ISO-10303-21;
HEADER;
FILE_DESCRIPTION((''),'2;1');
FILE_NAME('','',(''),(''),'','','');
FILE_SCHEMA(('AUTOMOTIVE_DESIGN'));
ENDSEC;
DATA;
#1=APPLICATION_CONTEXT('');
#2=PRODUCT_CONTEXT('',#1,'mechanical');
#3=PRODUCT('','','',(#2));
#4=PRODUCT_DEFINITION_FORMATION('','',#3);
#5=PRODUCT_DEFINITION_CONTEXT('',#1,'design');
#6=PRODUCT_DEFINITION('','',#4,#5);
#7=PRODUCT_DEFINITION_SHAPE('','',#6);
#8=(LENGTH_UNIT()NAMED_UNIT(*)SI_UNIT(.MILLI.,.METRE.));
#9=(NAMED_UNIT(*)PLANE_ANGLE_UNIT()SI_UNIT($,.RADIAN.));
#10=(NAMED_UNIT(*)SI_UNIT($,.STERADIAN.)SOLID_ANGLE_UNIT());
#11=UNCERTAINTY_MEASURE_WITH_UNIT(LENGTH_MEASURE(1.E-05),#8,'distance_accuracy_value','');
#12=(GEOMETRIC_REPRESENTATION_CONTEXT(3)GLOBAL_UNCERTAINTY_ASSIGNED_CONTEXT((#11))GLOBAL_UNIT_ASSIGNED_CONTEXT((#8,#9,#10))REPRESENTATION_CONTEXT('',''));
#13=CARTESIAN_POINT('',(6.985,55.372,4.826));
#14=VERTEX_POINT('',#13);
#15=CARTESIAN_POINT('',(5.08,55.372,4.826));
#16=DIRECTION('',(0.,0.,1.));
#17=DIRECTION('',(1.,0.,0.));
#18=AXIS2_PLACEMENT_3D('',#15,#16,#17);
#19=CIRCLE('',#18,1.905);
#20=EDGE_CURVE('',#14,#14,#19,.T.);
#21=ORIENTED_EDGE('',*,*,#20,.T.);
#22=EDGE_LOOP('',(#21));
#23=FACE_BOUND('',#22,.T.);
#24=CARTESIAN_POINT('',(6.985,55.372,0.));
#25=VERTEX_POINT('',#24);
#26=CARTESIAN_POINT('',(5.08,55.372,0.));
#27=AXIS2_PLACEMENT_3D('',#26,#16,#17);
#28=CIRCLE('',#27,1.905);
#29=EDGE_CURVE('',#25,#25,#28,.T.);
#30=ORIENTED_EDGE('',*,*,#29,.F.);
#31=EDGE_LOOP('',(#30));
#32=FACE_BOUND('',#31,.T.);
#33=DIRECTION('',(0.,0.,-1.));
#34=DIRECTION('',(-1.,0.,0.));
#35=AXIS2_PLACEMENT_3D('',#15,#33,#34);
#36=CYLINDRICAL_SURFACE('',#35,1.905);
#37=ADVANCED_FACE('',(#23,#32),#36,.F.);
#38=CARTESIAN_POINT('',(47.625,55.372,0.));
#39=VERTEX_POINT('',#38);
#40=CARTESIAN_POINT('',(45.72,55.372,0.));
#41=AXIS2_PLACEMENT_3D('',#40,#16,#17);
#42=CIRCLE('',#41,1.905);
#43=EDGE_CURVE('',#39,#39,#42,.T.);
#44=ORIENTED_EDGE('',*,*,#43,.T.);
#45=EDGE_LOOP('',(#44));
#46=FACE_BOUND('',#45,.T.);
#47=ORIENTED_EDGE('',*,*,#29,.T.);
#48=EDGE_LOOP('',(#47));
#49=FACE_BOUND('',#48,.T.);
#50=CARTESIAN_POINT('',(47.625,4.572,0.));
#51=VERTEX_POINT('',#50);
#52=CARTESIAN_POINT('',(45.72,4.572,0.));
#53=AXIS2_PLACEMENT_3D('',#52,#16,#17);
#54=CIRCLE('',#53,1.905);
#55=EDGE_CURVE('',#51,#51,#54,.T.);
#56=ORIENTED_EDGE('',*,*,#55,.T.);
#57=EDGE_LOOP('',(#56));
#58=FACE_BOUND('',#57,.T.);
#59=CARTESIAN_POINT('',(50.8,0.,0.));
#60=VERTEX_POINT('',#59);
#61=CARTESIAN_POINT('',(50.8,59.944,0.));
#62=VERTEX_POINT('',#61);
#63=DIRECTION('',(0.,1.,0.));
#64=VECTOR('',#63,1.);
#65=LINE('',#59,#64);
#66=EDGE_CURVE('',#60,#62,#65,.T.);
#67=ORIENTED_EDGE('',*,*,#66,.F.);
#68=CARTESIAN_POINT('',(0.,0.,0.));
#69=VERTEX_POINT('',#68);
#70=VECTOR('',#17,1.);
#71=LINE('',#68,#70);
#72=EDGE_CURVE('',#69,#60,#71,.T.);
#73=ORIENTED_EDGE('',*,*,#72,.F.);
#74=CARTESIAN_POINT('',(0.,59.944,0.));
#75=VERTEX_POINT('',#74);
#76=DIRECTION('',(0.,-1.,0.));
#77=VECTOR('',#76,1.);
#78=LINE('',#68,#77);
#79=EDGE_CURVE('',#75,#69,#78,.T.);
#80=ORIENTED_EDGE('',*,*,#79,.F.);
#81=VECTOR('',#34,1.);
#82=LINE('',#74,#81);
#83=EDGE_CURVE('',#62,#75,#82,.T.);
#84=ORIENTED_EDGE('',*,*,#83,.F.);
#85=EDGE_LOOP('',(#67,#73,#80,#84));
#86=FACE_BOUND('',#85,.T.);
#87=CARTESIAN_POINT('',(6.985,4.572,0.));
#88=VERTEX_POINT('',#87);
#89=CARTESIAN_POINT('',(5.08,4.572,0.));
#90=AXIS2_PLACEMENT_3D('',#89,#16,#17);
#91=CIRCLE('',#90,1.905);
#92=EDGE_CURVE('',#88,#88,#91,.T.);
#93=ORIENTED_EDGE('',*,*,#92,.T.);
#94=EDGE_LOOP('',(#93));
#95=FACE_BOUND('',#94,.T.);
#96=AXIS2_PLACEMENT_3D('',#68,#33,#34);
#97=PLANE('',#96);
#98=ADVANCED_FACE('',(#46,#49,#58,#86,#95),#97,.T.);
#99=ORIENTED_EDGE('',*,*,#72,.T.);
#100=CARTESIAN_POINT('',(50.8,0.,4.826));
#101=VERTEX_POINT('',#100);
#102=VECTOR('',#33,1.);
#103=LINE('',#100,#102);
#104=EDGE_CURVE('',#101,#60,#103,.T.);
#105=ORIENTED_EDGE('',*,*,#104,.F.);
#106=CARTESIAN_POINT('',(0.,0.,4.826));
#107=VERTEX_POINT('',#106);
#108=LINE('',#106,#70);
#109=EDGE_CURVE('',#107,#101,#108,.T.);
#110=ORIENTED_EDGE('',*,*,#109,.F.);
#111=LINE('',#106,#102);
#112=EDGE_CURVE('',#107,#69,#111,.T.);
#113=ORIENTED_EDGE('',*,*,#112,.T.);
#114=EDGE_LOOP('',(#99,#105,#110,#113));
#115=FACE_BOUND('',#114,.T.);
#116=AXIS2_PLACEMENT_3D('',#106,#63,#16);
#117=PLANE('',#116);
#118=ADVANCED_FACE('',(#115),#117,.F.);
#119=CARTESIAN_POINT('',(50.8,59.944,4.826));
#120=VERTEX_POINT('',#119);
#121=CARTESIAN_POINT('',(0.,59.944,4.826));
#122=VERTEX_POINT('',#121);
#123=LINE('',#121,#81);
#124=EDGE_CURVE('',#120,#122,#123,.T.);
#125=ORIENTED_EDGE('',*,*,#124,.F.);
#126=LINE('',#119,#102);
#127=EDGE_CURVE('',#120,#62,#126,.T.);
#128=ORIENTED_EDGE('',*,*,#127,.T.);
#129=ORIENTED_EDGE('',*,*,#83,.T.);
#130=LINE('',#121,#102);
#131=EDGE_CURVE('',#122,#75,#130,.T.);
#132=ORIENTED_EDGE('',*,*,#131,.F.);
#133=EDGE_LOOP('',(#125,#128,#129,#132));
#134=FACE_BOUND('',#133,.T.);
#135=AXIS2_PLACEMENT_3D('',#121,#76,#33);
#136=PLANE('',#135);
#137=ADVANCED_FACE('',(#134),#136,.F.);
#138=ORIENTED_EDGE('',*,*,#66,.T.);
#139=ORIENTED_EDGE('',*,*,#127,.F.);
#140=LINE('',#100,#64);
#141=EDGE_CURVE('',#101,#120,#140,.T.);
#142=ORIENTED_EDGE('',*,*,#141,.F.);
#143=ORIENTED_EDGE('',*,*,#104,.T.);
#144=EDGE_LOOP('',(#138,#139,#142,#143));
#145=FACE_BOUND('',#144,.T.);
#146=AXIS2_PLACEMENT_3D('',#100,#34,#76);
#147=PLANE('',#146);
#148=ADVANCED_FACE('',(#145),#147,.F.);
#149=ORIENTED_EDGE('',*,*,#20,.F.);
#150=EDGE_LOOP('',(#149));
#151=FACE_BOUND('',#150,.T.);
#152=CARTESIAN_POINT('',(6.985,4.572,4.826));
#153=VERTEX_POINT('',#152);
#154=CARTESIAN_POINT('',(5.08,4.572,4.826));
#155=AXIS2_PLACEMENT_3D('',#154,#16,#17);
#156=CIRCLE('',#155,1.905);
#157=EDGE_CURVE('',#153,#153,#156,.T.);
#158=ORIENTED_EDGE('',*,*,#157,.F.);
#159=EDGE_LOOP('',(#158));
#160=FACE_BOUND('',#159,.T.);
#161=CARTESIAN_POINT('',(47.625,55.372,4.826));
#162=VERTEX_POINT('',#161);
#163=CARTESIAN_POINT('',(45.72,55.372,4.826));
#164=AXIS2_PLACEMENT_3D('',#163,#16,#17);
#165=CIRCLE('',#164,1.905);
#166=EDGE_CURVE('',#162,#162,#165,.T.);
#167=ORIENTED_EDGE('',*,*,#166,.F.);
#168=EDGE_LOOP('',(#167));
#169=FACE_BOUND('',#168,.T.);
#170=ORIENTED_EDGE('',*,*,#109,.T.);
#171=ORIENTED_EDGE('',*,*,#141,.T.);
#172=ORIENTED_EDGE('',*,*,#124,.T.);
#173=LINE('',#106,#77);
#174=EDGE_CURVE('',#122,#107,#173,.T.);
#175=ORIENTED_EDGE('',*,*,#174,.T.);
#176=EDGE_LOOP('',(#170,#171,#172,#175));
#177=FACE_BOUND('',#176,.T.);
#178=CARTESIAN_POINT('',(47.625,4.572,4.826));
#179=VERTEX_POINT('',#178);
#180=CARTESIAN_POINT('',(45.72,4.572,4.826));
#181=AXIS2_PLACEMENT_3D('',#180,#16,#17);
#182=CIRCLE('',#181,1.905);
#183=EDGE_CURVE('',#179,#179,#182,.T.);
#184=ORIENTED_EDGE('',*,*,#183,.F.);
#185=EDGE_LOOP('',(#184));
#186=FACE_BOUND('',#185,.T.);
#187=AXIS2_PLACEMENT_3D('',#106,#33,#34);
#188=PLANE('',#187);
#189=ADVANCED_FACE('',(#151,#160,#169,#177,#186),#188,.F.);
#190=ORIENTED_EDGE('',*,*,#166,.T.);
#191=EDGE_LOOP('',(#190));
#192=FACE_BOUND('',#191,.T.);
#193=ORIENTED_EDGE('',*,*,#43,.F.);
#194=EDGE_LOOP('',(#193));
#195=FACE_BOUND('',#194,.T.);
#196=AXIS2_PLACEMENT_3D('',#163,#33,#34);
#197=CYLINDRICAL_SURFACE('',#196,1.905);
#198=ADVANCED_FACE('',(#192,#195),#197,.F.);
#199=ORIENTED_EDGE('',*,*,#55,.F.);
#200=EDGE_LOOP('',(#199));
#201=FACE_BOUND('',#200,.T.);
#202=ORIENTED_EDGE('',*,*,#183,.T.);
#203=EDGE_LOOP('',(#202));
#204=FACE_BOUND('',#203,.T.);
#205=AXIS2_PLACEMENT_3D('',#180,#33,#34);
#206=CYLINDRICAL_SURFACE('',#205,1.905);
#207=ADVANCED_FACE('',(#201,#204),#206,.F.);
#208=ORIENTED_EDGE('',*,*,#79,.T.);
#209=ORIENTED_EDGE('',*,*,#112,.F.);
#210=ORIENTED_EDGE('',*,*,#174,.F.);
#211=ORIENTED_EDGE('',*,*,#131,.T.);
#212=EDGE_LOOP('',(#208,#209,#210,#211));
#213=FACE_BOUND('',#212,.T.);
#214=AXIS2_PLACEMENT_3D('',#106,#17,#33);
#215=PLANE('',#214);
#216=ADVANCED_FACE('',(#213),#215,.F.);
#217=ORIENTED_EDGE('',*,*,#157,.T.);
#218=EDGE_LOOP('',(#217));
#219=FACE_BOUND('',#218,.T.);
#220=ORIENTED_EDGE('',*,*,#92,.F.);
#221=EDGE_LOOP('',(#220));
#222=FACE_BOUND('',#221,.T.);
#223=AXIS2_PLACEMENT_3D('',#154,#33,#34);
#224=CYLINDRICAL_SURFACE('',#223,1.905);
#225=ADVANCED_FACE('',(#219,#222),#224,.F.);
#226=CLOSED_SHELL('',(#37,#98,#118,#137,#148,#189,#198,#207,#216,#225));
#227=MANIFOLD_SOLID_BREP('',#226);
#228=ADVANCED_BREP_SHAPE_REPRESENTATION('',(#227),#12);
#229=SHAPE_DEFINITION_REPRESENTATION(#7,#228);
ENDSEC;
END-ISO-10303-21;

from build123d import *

# Parameters (mm, degrees)
SKETCH1_W           = 50.8
SKETCH1_H           = 59.944
SKETCH1_R           = 1.905
BOSS_EXTRUDE1_DEPTH = 4.826


with BuildPart() as part:
    # Sketch1 → Boss-Extrude1 (new body)
    with BuildSketch(Plane.XY):
        with Locations((25.4, 29.972)):
            Rectangle(SKETCH1_W, SKETCH1_H)
        with Locations((5.08, 55.372)):
            Circle(SKETCH1_R, mode=Mode.SUBTRACT)
        with Locations((5.08, 4.572)):
            Circle(SKETCH1_R, mode=Mode.SUBTRACT)
        with Locations((45.72, 55.372)):
            Circle(SKETCH1_R, mode=Mode.SUBTRACT)
        with Locations((45.72, 4.572)):
            Circle(SKETCH1_R, mode=Mode.SUBTRACT)
    extrude(amount=BOSS_EXTRUDE1_DEPTH)


solid = part.part
